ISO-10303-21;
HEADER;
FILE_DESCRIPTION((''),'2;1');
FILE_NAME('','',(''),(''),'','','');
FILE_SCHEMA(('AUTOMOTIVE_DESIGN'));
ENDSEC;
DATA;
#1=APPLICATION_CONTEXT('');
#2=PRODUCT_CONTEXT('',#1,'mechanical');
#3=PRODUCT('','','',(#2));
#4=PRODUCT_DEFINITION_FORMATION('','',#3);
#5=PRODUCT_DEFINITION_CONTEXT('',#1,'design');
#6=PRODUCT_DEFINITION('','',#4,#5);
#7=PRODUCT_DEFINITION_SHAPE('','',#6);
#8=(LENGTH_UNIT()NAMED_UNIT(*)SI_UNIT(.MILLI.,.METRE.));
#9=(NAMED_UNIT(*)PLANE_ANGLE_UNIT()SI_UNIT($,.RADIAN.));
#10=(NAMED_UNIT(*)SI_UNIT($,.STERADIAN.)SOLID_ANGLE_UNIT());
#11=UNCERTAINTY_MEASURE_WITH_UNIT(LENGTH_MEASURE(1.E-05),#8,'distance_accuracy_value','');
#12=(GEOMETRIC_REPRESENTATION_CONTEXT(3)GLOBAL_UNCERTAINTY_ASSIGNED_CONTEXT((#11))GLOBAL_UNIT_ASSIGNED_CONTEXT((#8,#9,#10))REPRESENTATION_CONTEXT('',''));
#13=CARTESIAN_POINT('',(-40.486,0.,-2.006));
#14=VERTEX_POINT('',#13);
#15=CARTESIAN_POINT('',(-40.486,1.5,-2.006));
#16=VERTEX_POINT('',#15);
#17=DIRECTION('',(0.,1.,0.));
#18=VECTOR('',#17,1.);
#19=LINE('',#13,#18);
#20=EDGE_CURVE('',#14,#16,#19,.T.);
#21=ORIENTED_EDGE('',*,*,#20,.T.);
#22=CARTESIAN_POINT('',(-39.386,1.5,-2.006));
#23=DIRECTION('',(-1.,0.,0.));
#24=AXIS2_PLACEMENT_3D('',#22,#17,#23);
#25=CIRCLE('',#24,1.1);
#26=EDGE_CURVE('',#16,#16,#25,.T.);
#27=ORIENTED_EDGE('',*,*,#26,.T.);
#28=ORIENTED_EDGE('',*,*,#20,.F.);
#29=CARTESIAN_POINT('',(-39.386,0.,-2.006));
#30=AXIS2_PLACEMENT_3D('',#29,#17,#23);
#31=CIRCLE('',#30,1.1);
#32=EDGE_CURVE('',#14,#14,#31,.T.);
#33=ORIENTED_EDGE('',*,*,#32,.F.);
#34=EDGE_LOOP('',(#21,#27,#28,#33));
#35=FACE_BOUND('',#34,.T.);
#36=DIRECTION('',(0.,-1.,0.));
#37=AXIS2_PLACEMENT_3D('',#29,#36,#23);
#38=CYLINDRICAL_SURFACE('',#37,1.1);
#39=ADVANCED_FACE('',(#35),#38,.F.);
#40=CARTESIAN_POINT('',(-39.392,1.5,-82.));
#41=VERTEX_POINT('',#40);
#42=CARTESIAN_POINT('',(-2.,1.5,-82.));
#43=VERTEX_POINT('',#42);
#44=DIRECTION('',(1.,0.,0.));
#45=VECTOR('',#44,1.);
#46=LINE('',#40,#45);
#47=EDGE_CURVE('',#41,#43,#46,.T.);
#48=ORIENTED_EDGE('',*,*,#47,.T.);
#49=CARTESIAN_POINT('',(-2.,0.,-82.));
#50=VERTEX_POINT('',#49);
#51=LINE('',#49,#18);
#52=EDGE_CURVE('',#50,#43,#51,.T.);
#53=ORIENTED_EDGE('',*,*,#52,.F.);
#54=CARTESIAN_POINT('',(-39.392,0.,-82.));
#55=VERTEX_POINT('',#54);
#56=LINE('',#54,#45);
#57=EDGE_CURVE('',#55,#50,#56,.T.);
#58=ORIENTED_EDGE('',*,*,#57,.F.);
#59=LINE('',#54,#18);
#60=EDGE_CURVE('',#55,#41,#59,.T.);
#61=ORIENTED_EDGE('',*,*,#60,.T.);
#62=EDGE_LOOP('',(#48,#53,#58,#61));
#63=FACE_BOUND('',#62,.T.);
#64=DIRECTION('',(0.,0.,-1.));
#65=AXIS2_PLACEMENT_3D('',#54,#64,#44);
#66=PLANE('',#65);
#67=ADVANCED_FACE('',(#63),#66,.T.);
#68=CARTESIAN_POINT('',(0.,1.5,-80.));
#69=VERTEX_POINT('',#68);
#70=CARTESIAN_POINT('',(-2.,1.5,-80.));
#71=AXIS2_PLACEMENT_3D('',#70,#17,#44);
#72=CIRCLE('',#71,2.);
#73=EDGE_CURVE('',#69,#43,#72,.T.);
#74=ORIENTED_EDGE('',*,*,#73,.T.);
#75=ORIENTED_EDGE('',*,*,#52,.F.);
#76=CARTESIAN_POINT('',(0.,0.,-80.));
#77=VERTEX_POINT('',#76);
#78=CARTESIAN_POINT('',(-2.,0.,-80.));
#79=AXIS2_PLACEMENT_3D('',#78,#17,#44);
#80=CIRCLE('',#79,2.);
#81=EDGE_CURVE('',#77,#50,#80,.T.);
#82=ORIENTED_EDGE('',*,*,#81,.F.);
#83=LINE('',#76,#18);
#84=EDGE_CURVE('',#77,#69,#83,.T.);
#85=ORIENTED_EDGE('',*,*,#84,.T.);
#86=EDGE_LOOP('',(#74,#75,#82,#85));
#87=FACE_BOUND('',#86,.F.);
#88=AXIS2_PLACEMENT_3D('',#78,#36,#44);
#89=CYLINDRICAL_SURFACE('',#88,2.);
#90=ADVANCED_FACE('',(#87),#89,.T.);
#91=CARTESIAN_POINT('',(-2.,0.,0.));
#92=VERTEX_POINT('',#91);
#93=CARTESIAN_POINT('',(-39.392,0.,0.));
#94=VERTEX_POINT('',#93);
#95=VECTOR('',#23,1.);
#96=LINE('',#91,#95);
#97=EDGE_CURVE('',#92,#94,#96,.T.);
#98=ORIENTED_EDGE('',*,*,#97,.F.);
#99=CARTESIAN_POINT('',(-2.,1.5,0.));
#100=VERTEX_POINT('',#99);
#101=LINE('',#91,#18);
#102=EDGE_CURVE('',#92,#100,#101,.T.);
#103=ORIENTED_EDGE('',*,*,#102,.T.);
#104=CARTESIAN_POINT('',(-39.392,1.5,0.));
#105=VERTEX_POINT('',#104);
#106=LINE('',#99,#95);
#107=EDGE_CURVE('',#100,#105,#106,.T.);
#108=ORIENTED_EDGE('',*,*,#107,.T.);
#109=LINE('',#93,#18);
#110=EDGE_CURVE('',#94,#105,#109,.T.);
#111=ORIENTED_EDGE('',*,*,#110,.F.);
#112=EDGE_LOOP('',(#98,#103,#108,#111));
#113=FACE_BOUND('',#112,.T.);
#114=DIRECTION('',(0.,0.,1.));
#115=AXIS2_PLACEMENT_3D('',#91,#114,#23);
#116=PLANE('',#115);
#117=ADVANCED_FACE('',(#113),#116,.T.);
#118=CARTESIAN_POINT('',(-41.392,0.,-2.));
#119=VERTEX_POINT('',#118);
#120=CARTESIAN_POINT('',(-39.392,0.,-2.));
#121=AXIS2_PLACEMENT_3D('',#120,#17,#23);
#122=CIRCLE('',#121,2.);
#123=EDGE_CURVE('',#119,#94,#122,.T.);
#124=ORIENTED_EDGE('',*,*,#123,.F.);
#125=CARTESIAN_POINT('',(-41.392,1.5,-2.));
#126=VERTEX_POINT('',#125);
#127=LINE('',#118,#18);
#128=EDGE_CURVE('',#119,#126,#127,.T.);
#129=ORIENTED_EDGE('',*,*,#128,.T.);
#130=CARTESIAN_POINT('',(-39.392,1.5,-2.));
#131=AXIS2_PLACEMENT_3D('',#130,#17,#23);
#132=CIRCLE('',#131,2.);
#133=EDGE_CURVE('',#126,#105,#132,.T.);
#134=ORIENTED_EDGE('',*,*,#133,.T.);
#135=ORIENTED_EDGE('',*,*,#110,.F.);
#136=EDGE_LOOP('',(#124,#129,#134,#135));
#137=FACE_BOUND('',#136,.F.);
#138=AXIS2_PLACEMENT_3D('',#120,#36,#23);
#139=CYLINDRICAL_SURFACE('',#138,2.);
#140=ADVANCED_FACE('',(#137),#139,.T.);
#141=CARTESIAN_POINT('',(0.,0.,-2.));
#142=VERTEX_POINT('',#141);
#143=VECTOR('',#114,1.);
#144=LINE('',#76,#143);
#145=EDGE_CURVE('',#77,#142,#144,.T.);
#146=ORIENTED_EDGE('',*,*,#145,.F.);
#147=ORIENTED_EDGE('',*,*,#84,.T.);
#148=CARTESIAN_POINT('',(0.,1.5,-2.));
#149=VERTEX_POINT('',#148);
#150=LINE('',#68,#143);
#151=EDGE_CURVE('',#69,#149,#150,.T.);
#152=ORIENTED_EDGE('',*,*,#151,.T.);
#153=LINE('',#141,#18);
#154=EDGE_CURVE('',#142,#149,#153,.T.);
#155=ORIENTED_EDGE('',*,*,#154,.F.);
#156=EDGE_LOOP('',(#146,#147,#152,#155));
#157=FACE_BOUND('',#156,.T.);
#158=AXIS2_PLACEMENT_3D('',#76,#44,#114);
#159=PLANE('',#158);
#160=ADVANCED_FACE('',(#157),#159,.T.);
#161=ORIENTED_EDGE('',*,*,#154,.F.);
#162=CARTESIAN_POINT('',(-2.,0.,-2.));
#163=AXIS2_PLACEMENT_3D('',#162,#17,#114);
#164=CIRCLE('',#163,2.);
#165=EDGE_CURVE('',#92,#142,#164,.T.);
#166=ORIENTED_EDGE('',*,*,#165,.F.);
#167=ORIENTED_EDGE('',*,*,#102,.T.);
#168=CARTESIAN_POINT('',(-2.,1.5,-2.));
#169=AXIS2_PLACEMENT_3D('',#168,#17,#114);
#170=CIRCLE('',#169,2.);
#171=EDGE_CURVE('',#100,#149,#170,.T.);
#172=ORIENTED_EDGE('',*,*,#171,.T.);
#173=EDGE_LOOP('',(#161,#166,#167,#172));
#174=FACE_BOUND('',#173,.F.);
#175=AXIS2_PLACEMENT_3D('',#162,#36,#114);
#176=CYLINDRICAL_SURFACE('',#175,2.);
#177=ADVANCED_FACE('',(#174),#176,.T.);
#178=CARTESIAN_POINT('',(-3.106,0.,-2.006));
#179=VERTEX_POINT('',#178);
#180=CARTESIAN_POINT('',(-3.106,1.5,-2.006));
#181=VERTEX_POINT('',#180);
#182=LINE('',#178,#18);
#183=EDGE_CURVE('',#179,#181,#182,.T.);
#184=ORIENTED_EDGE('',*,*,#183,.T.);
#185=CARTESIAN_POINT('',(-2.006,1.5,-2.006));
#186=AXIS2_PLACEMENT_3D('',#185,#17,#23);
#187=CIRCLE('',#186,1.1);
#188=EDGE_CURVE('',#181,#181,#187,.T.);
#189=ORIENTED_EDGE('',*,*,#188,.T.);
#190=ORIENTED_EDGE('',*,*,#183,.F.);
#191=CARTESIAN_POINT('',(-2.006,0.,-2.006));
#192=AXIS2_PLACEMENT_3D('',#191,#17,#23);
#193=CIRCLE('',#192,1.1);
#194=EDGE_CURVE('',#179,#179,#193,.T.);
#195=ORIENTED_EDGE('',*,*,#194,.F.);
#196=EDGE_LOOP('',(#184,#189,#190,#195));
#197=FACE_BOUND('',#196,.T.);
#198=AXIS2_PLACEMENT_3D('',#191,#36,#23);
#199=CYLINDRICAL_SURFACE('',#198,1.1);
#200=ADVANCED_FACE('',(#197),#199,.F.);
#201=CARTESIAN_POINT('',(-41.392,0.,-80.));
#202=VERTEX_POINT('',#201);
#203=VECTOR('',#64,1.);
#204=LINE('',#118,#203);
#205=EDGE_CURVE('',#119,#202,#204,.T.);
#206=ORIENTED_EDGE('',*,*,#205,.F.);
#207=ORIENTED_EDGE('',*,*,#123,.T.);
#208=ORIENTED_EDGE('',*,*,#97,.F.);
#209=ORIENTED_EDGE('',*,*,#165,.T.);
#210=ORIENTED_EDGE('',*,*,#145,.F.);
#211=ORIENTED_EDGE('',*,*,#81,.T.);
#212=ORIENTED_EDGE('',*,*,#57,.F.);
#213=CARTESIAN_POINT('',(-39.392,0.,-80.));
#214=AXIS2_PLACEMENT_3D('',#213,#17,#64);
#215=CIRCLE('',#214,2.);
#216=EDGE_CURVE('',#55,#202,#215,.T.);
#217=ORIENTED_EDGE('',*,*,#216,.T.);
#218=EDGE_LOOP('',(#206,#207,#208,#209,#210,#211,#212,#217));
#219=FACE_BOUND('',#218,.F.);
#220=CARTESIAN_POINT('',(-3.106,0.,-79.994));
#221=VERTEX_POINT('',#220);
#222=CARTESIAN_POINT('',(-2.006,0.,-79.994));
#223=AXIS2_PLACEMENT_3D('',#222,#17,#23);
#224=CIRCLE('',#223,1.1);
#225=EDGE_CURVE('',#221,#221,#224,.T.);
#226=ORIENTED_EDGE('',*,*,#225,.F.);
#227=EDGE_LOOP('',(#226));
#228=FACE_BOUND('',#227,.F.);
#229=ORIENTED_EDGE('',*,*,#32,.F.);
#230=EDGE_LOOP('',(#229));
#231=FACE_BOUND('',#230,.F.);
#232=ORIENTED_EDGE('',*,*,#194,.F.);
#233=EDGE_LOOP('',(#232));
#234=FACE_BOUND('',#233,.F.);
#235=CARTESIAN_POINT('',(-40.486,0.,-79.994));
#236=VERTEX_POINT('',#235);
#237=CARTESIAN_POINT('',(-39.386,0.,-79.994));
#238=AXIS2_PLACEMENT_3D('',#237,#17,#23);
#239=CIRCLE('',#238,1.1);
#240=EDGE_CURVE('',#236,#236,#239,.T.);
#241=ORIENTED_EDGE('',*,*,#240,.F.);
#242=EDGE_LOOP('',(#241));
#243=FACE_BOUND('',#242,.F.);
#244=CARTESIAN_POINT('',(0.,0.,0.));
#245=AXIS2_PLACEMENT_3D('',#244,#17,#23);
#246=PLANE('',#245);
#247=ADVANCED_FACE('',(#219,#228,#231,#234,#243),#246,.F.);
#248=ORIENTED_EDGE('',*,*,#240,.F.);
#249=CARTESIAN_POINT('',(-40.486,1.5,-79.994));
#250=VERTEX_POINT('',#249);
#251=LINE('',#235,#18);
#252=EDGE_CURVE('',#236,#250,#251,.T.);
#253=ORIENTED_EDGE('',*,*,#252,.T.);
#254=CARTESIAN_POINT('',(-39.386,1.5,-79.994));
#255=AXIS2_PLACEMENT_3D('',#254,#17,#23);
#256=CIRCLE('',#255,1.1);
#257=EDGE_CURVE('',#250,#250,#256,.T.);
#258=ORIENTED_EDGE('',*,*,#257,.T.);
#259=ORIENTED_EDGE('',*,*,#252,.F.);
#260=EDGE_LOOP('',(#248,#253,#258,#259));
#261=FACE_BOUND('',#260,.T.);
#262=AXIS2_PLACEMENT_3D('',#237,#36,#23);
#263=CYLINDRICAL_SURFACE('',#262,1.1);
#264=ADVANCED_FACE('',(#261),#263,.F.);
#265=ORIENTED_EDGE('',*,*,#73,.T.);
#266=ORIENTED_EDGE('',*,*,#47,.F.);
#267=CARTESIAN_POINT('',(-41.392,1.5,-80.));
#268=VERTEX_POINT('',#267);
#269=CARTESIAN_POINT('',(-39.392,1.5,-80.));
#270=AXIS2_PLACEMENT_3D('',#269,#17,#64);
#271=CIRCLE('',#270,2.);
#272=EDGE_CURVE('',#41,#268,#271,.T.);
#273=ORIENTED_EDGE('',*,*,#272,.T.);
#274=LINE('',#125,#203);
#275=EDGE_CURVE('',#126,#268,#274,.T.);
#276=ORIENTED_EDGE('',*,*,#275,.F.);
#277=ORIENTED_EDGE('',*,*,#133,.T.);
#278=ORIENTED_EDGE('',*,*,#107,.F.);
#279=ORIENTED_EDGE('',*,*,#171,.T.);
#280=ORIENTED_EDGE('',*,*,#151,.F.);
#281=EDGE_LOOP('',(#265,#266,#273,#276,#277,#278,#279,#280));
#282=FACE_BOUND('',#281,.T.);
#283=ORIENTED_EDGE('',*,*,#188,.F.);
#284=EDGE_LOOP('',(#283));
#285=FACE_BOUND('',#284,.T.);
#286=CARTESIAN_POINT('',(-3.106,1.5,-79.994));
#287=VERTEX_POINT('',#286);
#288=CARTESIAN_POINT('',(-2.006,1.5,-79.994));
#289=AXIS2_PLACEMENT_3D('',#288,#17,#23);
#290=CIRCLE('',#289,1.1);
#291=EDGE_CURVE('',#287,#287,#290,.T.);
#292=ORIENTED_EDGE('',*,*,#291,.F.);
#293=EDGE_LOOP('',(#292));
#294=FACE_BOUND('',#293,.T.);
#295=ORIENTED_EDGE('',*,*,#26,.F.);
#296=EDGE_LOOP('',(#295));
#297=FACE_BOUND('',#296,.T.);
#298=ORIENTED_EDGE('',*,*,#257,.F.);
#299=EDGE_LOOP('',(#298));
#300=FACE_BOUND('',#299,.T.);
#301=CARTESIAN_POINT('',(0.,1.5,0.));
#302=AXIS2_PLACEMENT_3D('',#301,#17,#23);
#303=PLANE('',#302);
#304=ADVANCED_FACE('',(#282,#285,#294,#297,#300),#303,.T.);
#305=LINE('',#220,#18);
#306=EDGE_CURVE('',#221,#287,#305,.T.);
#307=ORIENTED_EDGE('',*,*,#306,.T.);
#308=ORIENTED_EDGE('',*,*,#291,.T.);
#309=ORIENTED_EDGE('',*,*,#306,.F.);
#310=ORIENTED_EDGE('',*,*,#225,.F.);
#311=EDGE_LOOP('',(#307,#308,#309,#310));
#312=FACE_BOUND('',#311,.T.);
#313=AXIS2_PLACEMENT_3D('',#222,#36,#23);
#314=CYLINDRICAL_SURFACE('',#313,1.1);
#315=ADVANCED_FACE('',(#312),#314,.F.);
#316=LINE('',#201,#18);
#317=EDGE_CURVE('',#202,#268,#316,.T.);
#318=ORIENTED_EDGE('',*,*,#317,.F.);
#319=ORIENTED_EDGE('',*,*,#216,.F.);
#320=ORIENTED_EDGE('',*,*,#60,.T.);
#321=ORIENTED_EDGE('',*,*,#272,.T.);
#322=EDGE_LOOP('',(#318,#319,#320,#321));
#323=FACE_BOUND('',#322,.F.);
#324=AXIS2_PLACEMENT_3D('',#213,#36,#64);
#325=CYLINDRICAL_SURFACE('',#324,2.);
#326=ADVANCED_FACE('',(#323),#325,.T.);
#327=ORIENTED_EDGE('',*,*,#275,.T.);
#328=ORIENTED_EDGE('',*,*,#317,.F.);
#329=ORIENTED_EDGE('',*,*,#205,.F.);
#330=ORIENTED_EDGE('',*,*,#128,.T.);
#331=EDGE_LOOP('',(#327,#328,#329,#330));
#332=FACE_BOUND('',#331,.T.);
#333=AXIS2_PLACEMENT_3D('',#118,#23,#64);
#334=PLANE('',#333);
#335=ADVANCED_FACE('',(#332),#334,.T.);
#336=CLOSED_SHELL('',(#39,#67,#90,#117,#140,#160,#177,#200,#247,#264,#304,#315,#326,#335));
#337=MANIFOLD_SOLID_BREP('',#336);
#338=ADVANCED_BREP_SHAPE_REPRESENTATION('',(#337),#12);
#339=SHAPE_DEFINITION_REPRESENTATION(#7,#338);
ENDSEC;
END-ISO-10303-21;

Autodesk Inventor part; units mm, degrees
ref_plane "YZ Plane" through (0, 0, 0) normal (1, 0, 0) x (0, 1, 0)
ref_plane "XZ Plane" through (0, 0, 0) normal (0, 1, 0) x (-1, 0, 0)
ref_plane "XY Plane" through (0, 0, 0) normal (0, 0, 1) x (1, 0, 0)
sketch "Sketch1" plane through (0, 0, 0) normal (0, 1, 0) x (-1, 0, 0)
  line L0 (2, 0) -> (39.392, 0)
  line L1 (41.392, -2) -> (41.392, -80)
  line L2 (39.392, -82) -> (2, -82)
  line L3 (0, -80) -> (0, -2)
  arc A0 (41.392, -2) -> (39.392, 0) centre (39.392, -2) ccw
  arc A1 (39.392, -82) -> (41.392, -80) centre (39.392, -80) ccw
  arc A2 (0, -80) -> (2, -82) centre (2, -80) ccw
  arc A3 (2, 0) -> (0, -2) centre (2, -2) ccw
  circle A4 centre (39.386, -2.006) radius 1.1
  circle A5 centre (39.386, -79.994) radius 1.1
  circle A6 centre (2.006, -2.006) radius 1.1
  circle A7 centre (2.006, -79.994) radius 1.1
  point P0 (0, 0)
  point P1 (41.392, -82)
  point P2 (41.392, 0)
  point P3 (0, -82)
  dimension "d0" = 41.392
  dimension "d1" = 82
  dimension "d2" = 2
  dimension "d3" = 2.2
  dimension "d5" = 2.006
  dimension "d6" = 2.006
  dimension "d7" = 2.2
  dimension "d8" = 2.006
  dimension "d9" = 2.006
  dimension "d10" = 2.2
  dimension "d11" = 2.006
  dimension "d12" = 2.006
  dimension "d13" = 2.2
  dimension "d14" = 2.006
  dimension "d15" = 2.006
  dimension "d16" = 37.386
extrude "Extrusion1" add sketch "Sketch1" along normal blind 1.5
properties part number "black_screen"
